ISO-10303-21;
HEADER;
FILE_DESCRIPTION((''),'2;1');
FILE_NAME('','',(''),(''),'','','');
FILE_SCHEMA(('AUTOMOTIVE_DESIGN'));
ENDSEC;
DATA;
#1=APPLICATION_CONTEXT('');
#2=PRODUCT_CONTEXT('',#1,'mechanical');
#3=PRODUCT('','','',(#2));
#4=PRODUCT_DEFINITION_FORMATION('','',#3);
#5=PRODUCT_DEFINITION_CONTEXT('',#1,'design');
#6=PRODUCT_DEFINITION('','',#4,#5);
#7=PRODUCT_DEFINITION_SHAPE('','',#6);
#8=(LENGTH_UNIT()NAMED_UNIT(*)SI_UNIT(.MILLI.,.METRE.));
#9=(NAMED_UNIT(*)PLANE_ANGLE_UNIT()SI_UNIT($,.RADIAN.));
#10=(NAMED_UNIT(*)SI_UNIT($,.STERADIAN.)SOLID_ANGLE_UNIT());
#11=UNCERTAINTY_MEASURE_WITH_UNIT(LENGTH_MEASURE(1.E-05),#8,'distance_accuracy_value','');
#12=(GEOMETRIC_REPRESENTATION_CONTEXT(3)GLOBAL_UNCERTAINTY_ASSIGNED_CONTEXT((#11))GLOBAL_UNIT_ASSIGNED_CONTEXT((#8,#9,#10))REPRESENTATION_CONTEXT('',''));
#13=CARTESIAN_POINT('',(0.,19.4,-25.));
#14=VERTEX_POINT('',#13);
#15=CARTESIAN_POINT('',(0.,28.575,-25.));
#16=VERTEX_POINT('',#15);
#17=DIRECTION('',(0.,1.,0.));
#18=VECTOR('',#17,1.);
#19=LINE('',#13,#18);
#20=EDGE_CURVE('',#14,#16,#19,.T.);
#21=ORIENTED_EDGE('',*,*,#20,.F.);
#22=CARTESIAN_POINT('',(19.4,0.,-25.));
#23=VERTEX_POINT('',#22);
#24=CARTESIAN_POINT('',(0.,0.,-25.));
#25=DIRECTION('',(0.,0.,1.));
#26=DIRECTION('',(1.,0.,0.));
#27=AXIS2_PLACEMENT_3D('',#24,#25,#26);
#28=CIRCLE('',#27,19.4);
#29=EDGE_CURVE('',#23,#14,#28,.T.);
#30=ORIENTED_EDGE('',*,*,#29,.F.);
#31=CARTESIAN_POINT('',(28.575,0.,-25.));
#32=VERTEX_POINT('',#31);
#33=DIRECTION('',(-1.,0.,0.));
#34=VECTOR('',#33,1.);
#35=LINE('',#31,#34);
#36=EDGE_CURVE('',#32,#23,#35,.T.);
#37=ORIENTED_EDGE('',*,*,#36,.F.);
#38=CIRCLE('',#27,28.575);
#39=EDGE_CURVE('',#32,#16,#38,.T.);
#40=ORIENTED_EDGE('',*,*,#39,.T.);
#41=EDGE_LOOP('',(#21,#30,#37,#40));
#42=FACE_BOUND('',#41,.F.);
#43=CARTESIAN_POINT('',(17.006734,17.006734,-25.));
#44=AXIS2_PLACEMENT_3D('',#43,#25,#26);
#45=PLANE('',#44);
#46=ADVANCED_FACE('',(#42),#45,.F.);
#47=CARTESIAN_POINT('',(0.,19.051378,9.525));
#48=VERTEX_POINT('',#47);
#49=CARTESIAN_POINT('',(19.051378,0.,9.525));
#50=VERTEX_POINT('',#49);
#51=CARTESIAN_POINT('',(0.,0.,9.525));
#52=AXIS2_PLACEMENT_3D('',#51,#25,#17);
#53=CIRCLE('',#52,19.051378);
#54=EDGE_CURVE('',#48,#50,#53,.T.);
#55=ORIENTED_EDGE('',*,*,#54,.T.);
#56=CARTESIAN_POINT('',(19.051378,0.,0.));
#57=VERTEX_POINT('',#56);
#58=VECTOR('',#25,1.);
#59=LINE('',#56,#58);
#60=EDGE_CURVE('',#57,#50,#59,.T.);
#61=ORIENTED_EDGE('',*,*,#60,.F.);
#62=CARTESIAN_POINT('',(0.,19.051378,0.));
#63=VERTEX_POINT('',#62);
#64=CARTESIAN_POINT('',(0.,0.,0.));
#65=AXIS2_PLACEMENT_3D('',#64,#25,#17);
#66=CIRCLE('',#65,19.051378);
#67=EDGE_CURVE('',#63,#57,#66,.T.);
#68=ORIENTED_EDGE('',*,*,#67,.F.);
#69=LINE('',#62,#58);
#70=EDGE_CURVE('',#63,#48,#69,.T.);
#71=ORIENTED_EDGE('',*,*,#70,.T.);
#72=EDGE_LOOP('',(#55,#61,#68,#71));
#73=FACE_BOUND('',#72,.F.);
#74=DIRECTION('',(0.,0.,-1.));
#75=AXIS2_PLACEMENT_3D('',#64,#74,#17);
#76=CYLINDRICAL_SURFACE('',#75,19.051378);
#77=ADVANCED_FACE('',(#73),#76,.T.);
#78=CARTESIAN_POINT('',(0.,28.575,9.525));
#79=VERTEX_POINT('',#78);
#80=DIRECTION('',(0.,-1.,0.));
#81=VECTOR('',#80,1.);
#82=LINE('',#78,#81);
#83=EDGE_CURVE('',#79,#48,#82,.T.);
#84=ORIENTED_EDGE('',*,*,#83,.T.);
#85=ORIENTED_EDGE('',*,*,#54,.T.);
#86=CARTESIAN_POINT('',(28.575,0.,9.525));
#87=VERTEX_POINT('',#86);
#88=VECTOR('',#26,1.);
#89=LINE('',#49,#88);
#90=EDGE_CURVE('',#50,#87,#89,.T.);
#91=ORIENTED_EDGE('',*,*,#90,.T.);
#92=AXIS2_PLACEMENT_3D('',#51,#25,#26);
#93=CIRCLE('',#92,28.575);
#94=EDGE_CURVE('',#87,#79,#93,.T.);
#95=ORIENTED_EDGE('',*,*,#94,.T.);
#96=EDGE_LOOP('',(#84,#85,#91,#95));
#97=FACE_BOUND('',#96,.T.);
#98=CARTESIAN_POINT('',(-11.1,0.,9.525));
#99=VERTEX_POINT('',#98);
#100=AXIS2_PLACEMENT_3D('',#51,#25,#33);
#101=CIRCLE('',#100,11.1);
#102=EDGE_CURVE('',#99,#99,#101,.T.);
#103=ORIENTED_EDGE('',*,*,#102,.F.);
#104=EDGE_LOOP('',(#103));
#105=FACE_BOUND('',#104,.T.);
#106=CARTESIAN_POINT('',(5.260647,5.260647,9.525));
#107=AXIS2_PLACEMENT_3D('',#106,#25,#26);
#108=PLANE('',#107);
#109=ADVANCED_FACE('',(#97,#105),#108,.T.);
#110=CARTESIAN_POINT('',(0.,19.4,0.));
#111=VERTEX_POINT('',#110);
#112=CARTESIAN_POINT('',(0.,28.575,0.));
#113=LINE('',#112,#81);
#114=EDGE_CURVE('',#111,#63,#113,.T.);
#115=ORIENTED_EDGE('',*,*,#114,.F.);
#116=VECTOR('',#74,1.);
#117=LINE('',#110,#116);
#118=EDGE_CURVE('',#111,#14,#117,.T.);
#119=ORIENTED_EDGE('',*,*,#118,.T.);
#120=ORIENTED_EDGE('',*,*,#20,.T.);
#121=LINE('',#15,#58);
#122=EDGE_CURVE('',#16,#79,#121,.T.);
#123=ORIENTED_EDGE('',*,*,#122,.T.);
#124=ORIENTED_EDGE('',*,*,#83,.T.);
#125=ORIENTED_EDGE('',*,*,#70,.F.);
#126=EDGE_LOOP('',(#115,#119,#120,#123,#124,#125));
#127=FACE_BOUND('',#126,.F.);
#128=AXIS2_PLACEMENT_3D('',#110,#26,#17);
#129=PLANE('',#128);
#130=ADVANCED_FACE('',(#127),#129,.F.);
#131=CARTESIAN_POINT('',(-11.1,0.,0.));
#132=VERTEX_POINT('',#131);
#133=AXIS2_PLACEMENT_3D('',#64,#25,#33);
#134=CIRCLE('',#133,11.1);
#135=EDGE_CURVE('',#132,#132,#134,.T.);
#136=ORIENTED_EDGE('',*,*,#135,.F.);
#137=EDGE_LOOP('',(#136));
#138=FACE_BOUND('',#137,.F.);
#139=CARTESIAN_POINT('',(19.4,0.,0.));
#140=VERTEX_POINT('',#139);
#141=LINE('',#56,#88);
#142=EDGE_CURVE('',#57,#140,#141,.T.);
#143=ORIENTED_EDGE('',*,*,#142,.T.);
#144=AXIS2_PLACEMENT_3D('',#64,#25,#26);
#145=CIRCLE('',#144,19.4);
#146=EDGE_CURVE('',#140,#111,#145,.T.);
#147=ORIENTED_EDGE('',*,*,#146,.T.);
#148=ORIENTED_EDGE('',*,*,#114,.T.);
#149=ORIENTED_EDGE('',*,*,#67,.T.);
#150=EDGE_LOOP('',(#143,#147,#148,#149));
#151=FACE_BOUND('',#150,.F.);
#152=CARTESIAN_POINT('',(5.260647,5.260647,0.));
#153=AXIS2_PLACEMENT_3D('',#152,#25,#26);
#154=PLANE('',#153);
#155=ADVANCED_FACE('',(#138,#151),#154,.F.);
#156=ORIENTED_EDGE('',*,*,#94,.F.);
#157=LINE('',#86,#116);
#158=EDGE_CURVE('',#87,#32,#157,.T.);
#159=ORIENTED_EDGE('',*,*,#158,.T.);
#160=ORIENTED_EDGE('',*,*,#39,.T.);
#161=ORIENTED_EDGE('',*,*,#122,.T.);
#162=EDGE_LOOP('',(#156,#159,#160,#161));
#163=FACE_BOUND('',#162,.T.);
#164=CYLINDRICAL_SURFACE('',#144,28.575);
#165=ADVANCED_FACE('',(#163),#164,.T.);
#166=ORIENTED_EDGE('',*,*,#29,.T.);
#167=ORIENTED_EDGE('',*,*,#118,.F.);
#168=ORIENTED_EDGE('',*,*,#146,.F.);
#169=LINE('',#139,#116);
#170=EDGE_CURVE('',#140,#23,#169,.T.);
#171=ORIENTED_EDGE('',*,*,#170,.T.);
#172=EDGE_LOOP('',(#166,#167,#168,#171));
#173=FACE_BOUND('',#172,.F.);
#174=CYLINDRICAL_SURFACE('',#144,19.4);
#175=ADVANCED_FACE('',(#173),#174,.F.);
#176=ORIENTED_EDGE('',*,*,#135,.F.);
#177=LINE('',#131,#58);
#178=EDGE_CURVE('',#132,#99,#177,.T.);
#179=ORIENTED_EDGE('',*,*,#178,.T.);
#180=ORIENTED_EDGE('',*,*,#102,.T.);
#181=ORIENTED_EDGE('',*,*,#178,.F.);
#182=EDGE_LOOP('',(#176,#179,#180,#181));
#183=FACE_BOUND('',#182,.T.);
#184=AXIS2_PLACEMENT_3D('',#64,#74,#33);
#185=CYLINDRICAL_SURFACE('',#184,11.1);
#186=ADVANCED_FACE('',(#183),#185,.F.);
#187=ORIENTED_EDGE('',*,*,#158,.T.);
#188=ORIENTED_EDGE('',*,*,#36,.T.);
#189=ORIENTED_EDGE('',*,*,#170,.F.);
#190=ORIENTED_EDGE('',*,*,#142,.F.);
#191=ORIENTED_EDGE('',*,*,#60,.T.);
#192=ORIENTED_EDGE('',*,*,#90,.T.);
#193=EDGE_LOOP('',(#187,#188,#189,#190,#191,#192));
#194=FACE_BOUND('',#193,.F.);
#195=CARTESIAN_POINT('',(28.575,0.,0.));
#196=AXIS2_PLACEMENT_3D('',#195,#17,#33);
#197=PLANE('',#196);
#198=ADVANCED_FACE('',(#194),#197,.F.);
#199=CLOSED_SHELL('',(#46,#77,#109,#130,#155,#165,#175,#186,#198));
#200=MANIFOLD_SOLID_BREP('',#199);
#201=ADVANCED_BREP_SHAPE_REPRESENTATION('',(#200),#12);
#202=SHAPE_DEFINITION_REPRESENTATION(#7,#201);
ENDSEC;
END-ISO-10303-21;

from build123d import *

# Parameters (mm, degrees)
SKETCH1_R           = 11.1
BOSS_EXTRUDE5_DEPTH = 9.525
BOSS_EXTRUDE6_DEPTH = 25


with BuildPart() as part:
    # Sketch1 → Boss-Extrude5 (new body)
    with BuildSketch(Plane.XY):
        with BuildLine():
            ThreePointArc((0, 19.051378432), (-13.47135888, -13.47135888), (19.051378432, 0))
            Line((19.051378432, 0), (28.575, 0))
            ThreePointArc((28.575, 0), (20.205576272, 20.205576272), (0, 28.575))
            Line((0, 28.575), (0, 19.051378432))
        make_face()
        with Locations(Location((0, 0, 0), (0, 0, 180))):
            Circle(SKETCH1_R, mode=Mode.SUBTRACT)
    extrude(amount=BOSS_EXTRUDE5_DEPTH)

    # Sketch2 → Boss-Extrude6 (add)
    with BuildSketch(Plane(origin=(0, 0, 0), x_dir=(-1, 0, 0), z_dir=(0, 0, -1))):
        with BuildLine():
            add(Edge.make_bspline(
                [(0, 28.575), (-21.908651484, 21.908651484), (-28.575, 0)],
                knots=[0, 0, 0, 1, 1, 1], degree=2))
            ThreePointArc((-28.575, 0), (-20.205576272, 20.205576272), (0, 28.575))
        make_face()
        with BuildLine():
            Line((0, 19.4), (0, 28.575))
            add(Edge.make_bspline(
                [(0, 28.575), (-21.908651484, 21.908651484), (-28.575, 0)],
                knots=[0, 0, 0, 1, 1, 1], degree=2))
            Line((-28.575, 0), (-19.4, 0))
            ThreePointArc((-19.4, 0), (-13.717871555, 13.717871555), (0, 19.4))
        make_face()
    extrude(amount=BOSS_EXTRUDE6_DEPTH)


solid = part.part
